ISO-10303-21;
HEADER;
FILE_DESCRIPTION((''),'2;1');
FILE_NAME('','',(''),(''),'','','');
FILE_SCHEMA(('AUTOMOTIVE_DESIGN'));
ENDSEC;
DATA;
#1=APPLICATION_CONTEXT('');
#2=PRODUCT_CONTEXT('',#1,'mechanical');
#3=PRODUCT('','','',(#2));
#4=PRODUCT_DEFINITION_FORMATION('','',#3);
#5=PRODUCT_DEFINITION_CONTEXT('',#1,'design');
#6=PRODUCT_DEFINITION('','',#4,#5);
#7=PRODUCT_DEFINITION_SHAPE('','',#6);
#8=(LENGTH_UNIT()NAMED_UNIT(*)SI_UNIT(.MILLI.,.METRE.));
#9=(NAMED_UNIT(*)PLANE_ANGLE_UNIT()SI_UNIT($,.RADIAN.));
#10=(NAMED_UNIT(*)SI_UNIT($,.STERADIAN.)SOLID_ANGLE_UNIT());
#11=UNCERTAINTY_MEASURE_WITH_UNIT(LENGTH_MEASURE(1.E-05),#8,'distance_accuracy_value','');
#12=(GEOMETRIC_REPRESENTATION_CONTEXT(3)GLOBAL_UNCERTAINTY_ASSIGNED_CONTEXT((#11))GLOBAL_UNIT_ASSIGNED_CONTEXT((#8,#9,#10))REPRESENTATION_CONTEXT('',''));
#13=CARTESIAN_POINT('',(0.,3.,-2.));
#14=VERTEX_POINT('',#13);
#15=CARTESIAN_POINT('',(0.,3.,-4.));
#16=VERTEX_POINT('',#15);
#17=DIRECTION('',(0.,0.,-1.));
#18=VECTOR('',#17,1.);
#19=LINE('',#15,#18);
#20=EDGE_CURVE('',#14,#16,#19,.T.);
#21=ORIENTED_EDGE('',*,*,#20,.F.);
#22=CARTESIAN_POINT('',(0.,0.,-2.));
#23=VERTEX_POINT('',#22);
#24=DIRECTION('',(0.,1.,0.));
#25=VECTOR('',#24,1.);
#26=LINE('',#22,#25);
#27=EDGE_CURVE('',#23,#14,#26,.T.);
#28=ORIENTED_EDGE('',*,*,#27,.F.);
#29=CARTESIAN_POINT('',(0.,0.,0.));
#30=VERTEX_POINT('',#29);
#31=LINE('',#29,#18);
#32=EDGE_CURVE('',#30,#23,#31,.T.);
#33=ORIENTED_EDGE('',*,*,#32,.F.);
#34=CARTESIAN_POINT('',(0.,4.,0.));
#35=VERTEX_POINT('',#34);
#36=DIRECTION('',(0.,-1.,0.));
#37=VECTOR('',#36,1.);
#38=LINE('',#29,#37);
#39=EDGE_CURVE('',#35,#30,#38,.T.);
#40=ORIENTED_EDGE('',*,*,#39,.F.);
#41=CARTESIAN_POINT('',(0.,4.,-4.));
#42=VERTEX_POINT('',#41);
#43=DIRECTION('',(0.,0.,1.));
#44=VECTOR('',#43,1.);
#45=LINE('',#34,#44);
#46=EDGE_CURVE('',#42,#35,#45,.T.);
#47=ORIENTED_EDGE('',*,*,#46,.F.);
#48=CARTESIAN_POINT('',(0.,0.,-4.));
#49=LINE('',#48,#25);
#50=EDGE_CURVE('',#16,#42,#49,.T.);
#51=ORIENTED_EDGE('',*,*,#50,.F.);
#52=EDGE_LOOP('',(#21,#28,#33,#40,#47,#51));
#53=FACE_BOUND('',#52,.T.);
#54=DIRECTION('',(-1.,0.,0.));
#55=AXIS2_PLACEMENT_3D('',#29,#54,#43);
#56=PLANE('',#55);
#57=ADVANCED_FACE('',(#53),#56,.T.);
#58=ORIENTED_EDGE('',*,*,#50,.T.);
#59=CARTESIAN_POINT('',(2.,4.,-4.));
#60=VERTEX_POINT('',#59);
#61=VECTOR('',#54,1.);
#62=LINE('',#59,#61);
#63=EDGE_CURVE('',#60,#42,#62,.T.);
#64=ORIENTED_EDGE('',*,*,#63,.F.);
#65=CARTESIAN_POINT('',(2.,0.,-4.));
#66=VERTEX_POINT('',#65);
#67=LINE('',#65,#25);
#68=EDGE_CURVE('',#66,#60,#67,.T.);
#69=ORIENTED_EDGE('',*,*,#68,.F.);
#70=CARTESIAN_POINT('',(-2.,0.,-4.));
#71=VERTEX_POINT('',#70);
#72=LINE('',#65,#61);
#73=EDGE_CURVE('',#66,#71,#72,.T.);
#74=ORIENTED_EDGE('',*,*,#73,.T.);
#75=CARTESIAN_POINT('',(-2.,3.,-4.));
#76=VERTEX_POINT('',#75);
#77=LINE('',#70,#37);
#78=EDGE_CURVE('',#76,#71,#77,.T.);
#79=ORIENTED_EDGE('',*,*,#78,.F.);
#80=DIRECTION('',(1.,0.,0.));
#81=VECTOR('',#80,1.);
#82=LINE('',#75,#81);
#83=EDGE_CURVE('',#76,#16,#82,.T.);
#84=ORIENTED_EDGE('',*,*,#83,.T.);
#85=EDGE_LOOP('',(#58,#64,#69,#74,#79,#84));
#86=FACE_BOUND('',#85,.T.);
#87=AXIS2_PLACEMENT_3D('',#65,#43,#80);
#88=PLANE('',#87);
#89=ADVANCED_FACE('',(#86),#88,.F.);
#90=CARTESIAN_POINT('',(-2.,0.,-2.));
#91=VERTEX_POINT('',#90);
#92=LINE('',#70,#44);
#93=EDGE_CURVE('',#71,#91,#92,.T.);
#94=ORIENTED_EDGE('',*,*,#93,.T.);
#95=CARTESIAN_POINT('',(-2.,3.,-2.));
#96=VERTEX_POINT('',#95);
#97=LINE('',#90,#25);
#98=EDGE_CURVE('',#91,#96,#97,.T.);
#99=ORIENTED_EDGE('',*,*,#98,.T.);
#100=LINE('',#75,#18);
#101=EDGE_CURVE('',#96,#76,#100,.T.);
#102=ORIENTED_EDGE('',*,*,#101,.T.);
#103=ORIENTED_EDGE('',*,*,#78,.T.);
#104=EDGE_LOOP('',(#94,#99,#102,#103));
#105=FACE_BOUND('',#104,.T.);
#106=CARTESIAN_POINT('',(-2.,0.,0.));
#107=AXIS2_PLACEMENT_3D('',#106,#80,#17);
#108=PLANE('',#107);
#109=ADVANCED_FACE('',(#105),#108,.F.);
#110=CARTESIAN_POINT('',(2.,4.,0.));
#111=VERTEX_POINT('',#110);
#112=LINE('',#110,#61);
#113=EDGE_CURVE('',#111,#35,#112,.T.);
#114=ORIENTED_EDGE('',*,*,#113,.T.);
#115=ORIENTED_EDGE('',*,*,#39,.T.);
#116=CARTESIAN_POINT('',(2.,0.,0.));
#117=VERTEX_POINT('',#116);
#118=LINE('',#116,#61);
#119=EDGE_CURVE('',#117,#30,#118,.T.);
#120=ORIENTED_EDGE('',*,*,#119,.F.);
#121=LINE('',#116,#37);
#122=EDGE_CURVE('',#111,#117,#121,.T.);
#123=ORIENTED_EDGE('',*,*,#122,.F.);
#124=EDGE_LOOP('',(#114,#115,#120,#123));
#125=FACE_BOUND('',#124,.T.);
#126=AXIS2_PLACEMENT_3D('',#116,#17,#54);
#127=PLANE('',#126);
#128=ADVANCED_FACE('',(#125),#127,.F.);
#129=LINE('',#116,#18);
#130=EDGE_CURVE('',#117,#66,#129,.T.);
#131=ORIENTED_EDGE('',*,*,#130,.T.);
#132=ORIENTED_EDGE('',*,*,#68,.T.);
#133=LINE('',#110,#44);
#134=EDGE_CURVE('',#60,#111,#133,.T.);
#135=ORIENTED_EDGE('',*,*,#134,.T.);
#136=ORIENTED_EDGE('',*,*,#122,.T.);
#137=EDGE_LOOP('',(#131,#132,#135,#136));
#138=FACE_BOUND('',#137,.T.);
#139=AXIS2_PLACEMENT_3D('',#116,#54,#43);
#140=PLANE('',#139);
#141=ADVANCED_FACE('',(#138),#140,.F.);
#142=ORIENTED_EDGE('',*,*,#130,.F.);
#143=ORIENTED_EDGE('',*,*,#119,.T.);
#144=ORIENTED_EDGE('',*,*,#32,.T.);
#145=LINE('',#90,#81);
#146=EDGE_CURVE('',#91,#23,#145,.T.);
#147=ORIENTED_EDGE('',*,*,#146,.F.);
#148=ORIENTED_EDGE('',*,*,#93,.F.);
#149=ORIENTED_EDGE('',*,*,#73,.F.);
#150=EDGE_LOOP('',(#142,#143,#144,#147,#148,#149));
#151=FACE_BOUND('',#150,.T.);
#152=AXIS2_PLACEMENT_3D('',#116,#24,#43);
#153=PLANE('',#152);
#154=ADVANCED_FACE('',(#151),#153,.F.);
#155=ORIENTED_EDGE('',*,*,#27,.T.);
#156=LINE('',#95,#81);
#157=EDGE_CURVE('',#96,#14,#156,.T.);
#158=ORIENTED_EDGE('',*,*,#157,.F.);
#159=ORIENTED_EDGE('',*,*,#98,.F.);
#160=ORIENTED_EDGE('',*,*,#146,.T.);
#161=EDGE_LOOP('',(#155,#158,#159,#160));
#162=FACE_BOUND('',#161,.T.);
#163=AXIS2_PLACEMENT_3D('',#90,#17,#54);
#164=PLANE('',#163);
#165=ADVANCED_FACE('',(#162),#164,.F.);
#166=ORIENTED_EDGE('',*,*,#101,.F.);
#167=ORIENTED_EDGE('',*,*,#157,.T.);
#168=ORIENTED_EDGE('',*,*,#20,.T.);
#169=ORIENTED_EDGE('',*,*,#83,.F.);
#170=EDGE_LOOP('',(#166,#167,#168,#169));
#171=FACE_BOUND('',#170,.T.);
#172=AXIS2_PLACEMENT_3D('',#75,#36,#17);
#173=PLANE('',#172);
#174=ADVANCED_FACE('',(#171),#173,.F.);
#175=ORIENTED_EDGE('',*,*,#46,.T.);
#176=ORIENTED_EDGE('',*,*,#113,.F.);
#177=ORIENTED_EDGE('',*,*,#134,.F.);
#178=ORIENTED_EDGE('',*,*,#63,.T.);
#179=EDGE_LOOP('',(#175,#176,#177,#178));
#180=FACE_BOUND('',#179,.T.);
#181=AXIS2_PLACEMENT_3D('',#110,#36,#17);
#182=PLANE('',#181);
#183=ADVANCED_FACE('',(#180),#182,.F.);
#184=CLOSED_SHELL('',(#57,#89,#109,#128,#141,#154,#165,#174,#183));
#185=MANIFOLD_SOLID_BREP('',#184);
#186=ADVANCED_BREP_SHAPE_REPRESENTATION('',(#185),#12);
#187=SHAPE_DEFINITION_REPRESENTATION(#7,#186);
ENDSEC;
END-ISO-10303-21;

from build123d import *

# Parameters (mm, degrees)
SKETCH1_W           = 4
SKETCH1_H           = 4
BOSS_EXTRUDE1_DEPTH = 2
SKETCH2_W           = 2
SKETCH2_H           = 3
BOSS_EXTRUDE2_DEPTH = 2


with BuildPart() as part:
    # Sketch1 → Boss-Extrude1 (new body)
    with BuildSketch(Plane(origin=(0, 0, 0), x_dir=(0, 0, -1), z_dir=(1, 0, 0))):
        with Locations((2, 2)):
            Rectangle(SKETCH1_W, SKETCH1_H)
    extrude(amount=BOSS_EXTRUDE1_DEPTH)

    # Sketch2 → Boss-Extrude2 (add)
    with BuildSketch(Plane.ZY):
        with Locations((-3, 1.5)):
            Rectangle(SKETCH2_W, SKETCH2_H)
    extrude(amount=BOSS_EXTRUDE2_DEPTH)


solid = part.part
